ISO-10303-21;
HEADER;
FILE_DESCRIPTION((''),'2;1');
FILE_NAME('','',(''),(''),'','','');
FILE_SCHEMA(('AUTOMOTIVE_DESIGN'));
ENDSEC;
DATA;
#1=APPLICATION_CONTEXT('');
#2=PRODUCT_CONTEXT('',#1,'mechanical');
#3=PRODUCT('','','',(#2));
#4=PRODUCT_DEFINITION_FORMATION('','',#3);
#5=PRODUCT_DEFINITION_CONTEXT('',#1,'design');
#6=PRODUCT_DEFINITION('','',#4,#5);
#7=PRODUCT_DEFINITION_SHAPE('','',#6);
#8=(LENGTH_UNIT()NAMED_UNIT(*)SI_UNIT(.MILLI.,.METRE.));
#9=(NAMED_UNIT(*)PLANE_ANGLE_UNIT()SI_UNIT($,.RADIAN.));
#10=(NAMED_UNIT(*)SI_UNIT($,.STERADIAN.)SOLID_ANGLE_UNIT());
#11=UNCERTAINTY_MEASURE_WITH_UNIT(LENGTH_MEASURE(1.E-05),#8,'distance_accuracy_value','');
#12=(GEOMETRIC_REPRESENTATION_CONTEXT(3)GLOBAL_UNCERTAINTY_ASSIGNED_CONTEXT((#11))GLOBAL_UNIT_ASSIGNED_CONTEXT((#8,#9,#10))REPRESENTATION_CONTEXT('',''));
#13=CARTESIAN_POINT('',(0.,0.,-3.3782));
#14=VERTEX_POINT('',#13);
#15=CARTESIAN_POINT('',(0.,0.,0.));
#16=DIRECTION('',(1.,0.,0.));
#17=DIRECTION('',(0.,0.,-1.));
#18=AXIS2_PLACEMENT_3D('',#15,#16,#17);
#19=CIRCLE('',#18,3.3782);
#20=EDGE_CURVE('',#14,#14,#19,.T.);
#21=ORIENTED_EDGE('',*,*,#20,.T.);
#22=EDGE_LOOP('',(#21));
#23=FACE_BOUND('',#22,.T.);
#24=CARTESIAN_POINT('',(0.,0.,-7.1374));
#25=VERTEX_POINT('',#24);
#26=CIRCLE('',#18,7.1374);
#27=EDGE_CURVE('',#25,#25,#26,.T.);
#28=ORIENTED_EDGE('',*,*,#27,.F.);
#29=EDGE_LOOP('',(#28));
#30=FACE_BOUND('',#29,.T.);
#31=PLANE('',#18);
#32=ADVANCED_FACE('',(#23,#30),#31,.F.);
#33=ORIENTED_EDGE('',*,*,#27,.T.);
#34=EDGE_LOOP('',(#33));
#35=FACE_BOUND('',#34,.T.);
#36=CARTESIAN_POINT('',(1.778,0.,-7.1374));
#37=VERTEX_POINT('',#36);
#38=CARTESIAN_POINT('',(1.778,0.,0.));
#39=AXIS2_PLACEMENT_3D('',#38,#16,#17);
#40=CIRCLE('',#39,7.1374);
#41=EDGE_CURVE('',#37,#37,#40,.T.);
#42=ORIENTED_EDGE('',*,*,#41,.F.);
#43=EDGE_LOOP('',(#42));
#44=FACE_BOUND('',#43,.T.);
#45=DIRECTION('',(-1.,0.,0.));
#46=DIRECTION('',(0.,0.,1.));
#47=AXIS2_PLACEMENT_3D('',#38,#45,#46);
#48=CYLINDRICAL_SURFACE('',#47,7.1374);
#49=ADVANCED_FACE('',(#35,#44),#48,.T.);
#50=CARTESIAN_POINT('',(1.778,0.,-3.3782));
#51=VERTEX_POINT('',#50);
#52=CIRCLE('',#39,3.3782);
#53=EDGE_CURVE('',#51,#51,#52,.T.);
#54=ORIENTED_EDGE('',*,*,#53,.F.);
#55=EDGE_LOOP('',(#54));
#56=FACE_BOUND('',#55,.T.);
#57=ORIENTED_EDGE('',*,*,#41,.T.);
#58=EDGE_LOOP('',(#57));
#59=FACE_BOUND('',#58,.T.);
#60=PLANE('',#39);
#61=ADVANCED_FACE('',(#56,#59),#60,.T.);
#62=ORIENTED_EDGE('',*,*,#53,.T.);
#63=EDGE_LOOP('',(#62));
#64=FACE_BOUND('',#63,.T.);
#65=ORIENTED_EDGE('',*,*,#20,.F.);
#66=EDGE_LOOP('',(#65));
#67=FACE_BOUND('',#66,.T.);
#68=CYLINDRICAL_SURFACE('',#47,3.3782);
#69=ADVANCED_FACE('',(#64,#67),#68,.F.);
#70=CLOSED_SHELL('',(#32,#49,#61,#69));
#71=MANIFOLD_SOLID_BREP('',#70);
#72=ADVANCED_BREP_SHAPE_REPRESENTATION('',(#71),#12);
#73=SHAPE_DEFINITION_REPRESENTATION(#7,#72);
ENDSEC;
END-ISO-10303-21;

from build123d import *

# Parameters (mm, degrees)
SKETCH1_R           = 7.1374
SKETCH1_R_2         = 3.3782
BOSS_EXTRUDE1_DEPTH = 1.778


with BuildPart() as part:
    # Sketch1 → Boss-Extrude1 (new body)
    with BuildSketch(Plane(origin=(0, 0, 0), x_dir=(0, 0, -1), z_dir=(1, 0, 0))):
        Circle(SKETCH1_R)
        Circle(SKETCH1_R_2, mode=Mode.SUBTRACT)
    extrude(amount=BOSS_EXTRUDE1_DEPTH)


solid = part.part
